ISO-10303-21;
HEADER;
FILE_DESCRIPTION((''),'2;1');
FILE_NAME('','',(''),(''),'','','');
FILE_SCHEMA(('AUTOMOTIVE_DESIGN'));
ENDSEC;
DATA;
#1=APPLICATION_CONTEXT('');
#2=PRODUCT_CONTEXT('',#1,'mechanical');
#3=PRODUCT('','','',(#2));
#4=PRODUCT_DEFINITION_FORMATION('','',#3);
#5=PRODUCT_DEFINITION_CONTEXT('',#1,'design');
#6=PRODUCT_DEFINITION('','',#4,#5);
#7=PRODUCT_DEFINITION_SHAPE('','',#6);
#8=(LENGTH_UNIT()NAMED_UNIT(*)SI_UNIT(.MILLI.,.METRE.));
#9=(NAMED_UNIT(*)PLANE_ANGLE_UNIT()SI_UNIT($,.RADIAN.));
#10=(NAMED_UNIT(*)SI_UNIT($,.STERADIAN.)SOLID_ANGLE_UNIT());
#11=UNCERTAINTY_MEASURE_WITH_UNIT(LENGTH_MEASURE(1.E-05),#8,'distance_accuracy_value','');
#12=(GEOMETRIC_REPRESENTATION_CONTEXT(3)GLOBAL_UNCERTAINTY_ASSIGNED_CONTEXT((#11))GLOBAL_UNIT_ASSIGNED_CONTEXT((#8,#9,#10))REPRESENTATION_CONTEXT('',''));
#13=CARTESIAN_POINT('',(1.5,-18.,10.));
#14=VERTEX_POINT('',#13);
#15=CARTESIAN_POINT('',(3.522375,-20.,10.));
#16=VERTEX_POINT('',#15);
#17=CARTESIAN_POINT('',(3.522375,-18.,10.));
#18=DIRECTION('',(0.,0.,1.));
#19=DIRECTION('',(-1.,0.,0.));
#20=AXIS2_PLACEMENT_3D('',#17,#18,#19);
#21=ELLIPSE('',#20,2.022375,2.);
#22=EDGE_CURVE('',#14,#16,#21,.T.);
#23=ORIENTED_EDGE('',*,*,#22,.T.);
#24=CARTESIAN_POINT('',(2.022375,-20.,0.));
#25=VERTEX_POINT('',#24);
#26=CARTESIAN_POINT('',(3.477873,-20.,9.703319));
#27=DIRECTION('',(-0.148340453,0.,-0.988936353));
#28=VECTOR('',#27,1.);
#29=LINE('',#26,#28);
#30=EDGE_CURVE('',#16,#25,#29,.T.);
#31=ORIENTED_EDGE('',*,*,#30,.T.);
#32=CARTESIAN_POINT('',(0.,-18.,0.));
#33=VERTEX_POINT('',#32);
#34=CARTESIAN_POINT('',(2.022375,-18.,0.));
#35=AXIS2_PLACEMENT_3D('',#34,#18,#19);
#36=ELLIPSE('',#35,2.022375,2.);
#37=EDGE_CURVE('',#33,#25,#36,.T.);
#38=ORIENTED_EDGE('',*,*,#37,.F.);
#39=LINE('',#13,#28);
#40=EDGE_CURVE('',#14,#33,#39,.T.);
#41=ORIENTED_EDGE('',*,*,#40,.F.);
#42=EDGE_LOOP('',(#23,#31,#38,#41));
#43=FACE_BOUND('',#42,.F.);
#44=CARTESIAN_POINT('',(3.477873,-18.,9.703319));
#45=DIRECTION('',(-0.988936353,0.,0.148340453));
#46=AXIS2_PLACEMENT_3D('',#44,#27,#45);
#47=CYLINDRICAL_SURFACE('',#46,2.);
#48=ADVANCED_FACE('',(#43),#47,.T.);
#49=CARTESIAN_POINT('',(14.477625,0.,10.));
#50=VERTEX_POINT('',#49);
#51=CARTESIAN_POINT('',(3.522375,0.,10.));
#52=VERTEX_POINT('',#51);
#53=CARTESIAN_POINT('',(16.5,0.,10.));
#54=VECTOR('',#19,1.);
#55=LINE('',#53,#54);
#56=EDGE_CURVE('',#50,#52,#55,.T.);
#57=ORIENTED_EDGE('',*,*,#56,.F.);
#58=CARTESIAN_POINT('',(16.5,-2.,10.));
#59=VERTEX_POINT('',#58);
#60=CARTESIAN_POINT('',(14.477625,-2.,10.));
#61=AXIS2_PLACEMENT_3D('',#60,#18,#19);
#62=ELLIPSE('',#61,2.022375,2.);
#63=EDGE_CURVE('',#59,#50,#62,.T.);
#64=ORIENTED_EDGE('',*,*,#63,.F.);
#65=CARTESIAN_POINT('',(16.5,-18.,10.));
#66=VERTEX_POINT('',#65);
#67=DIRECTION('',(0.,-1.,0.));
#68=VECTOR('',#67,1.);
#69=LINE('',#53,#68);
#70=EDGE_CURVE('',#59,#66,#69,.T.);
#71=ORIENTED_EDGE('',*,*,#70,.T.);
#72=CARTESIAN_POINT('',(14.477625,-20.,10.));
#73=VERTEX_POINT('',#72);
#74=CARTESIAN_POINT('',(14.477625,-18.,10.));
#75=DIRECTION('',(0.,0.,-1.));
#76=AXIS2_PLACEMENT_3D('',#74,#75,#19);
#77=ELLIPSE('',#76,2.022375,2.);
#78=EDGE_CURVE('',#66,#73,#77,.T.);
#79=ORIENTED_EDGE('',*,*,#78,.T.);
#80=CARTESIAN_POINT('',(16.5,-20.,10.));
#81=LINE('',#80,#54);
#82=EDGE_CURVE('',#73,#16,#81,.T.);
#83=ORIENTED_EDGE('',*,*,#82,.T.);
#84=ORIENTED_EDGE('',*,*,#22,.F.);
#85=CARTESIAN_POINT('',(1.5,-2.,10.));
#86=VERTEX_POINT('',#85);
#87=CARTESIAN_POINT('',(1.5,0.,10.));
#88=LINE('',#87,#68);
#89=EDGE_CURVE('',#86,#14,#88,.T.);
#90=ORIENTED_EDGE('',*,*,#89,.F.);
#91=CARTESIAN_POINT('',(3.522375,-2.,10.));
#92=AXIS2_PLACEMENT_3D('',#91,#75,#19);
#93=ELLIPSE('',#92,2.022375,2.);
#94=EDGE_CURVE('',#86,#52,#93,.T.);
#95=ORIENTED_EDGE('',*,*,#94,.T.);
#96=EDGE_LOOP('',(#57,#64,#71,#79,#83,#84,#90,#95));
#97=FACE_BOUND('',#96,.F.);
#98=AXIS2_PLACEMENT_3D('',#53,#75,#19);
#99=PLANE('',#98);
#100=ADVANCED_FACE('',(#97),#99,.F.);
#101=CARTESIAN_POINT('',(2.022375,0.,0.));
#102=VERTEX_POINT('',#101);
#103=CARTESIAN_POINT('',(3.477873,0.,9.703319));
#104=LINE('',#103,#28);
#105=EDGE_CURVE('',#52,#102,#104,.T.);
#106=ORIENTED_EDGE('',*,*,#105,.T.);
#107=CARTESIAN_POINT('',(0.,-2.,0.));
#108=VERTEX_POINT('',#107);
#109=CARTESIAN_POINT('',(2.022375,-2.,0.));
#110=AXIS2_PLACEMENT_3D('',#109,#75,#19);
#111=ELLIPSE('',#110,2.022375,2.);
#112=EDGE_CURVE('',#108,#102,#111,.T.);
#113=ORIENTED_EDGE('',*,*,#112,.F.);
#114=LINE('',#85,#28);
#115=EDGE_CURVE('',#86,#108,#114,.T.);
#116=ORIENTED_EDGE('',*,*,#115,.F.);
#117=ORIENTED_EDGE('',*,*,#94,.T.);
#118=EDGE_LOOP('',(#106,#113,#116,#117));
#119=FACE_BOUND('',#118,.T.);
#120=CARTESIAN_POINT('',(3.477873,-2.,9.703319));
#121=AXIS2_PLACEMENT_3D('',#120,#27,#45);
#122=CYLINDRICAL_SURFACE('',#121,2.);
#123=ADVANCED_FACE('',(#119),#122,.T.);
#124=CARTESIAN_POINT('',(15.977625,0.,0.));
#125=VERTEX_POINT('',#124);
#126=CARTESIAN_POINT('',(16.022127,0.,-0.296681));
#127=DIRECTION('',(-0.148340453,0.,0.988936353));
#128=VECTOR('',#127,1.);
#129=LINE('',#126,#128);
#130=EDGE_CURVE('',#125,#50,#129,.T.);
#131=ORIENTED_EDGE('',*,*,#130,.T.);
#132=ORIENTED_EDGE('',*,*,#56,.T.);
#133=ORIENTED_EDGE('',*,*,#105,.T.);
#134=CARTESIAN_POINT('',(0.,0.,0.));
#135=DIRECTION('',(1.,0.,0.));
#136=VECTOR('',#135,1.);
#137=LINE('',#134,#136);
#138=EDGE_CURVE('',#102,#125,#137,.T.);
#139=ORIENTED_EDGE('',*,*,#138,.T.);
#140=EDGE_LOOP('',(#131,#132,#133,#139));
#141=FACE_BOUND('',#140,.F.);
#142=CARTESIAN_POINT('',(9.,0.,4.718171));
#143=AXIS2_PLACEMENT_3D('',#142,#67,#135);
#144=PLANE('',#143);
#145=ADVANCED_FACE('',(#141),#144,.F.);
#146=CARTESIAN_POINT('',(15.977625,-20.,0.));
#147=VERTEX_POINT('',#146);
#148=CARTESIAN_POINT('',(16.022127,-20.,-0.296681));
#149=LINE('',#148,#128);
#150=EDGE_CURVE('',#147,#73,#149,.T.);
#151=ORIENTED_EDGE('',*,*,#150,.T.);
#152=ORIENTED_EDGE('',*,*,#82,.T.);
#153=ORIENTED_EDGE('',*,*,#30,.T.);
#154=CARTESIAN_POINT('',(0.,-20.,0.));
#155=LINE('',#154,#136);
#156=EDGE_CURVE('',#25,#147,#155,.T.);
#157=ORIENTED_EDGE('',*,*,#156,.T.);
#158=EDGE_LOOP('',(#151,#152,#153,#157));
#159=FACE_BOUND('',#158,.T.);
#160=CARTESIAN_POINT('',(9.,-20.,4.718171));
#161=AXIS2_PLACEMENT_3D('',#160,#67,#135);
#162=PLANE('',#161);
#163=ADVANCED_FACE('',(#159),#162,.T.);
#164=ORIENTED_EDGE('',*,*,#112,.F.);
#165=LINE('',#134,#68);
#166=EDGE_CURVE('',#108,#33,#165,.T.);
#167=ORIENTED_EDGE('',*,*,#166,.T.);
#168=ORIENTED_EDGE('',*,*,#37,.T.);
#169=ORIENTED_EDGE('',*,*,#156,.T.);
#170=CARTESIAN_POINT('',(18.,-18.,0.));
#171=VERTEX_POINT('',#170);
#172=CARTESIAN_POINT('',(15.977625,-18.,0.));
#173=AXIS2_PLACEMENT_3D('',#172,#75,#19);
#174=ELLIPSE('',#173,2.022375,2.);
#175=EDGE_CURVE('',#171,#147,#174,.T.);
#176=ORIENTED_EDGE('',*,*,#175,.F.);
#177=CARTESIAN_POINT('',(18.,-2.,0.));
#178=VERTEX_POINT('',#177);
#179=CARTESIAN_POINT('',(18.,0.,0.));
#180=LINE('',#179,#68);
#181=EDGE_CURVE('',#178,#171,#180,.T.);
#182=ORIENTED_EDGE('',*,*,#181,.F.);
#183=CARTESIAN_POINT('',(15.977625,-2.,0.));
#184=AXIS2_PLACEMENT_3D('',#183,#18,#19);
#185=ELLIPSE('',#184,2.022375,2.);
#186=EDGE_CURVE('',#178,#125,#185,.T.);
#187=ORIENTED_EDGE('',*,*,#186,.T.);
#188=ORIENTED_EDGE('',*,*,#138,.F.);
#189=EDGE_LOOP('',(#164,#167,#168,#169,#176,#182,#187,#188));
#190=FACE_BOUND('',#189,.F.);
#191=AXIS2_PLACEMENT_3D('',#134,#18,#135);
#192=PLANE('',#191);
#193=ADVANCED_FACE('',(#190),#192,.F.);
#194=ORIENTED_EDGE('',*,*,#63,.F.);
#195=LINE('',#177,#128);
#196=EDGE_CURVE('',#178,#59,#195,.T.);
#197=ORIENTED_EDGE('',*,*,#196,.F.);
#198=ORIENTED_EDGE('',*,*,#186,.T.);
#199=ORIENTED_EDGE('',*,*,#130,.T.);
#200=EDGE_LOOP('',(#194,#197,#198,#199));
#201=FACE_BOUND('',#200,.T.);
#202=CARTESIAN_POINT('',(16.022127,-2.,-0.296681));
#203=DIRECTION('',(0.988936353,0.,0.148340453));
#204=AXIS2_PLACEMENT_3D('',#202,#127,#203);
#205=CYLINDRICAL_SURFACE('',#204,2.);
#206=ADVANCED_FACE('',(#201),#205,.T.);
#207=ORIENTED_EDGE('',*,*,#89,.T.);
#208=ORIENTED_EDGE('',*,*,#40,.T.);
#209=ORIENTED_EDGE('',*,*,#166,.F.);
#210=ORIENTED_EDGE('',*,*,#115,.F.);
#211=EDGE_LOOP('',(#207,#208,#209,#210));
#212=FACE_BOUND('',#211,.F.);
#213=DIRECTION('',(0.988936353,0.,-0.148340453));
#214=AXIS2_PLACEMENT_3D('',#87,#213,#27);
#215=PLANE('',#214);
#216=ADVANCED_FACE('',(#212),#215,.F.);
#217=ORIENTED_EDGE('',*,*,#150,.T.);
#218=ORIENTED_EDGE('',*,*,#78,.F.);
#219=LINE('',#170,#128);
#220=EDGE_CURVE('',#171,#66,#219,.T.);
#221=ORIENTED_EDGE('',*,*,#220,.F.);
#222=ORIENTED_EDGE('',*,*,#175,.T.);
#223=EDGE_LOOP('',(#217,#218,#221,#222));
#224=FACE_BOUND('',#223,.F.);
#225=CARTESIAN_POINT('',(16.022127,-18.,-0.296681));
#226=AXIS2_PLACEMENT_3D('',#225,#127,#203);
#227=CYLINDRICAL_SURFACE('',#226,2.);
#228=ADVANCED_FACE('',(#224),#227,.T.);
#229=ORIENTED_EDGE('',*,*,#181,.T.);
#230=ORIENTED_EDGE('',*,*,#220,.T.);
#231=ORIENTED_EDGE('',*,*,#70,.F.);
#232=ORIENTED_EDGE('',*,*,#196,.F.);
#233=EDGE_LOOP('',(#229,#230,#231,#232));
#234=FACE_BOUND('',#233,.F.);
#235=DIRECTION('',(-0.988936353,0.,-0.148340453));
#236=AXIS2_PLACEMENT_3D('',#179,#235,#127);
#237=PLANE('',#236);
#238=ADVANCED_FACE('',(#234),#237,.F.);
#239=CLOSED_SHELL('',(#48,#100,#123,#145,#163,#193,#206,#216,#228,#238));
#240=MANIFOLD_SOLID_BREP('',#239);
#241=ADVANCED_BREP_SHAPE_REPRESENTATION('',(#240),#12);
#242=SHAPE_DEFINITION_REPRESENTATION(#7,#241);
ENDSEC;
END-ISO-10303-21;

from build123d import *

# Parameters (mm, degrees)
PAD_DEPTH = 20
FILLET_R  = 2


with BuildPart() as part:
    # Sketch → Pad (new body)
    with BuildSketch(Plane.XZ):
        Polygon((0, 0), (18, 0), (16.5, 10), (1.5, 10), align=None)
    extrude(amount=PAD_DEPTH)

    # Fillet
    fillet_edges = [part.edges().sort_by_distance(p)[0] for p in [
        (0.75, 0, 5),
        (0.75, -20, 5),
        (17.25, -20, 5),
        (17.25, 0, 5),
    ]]
    fillet(fillet_edges, radius=FILLET_R)


solid = part.part
